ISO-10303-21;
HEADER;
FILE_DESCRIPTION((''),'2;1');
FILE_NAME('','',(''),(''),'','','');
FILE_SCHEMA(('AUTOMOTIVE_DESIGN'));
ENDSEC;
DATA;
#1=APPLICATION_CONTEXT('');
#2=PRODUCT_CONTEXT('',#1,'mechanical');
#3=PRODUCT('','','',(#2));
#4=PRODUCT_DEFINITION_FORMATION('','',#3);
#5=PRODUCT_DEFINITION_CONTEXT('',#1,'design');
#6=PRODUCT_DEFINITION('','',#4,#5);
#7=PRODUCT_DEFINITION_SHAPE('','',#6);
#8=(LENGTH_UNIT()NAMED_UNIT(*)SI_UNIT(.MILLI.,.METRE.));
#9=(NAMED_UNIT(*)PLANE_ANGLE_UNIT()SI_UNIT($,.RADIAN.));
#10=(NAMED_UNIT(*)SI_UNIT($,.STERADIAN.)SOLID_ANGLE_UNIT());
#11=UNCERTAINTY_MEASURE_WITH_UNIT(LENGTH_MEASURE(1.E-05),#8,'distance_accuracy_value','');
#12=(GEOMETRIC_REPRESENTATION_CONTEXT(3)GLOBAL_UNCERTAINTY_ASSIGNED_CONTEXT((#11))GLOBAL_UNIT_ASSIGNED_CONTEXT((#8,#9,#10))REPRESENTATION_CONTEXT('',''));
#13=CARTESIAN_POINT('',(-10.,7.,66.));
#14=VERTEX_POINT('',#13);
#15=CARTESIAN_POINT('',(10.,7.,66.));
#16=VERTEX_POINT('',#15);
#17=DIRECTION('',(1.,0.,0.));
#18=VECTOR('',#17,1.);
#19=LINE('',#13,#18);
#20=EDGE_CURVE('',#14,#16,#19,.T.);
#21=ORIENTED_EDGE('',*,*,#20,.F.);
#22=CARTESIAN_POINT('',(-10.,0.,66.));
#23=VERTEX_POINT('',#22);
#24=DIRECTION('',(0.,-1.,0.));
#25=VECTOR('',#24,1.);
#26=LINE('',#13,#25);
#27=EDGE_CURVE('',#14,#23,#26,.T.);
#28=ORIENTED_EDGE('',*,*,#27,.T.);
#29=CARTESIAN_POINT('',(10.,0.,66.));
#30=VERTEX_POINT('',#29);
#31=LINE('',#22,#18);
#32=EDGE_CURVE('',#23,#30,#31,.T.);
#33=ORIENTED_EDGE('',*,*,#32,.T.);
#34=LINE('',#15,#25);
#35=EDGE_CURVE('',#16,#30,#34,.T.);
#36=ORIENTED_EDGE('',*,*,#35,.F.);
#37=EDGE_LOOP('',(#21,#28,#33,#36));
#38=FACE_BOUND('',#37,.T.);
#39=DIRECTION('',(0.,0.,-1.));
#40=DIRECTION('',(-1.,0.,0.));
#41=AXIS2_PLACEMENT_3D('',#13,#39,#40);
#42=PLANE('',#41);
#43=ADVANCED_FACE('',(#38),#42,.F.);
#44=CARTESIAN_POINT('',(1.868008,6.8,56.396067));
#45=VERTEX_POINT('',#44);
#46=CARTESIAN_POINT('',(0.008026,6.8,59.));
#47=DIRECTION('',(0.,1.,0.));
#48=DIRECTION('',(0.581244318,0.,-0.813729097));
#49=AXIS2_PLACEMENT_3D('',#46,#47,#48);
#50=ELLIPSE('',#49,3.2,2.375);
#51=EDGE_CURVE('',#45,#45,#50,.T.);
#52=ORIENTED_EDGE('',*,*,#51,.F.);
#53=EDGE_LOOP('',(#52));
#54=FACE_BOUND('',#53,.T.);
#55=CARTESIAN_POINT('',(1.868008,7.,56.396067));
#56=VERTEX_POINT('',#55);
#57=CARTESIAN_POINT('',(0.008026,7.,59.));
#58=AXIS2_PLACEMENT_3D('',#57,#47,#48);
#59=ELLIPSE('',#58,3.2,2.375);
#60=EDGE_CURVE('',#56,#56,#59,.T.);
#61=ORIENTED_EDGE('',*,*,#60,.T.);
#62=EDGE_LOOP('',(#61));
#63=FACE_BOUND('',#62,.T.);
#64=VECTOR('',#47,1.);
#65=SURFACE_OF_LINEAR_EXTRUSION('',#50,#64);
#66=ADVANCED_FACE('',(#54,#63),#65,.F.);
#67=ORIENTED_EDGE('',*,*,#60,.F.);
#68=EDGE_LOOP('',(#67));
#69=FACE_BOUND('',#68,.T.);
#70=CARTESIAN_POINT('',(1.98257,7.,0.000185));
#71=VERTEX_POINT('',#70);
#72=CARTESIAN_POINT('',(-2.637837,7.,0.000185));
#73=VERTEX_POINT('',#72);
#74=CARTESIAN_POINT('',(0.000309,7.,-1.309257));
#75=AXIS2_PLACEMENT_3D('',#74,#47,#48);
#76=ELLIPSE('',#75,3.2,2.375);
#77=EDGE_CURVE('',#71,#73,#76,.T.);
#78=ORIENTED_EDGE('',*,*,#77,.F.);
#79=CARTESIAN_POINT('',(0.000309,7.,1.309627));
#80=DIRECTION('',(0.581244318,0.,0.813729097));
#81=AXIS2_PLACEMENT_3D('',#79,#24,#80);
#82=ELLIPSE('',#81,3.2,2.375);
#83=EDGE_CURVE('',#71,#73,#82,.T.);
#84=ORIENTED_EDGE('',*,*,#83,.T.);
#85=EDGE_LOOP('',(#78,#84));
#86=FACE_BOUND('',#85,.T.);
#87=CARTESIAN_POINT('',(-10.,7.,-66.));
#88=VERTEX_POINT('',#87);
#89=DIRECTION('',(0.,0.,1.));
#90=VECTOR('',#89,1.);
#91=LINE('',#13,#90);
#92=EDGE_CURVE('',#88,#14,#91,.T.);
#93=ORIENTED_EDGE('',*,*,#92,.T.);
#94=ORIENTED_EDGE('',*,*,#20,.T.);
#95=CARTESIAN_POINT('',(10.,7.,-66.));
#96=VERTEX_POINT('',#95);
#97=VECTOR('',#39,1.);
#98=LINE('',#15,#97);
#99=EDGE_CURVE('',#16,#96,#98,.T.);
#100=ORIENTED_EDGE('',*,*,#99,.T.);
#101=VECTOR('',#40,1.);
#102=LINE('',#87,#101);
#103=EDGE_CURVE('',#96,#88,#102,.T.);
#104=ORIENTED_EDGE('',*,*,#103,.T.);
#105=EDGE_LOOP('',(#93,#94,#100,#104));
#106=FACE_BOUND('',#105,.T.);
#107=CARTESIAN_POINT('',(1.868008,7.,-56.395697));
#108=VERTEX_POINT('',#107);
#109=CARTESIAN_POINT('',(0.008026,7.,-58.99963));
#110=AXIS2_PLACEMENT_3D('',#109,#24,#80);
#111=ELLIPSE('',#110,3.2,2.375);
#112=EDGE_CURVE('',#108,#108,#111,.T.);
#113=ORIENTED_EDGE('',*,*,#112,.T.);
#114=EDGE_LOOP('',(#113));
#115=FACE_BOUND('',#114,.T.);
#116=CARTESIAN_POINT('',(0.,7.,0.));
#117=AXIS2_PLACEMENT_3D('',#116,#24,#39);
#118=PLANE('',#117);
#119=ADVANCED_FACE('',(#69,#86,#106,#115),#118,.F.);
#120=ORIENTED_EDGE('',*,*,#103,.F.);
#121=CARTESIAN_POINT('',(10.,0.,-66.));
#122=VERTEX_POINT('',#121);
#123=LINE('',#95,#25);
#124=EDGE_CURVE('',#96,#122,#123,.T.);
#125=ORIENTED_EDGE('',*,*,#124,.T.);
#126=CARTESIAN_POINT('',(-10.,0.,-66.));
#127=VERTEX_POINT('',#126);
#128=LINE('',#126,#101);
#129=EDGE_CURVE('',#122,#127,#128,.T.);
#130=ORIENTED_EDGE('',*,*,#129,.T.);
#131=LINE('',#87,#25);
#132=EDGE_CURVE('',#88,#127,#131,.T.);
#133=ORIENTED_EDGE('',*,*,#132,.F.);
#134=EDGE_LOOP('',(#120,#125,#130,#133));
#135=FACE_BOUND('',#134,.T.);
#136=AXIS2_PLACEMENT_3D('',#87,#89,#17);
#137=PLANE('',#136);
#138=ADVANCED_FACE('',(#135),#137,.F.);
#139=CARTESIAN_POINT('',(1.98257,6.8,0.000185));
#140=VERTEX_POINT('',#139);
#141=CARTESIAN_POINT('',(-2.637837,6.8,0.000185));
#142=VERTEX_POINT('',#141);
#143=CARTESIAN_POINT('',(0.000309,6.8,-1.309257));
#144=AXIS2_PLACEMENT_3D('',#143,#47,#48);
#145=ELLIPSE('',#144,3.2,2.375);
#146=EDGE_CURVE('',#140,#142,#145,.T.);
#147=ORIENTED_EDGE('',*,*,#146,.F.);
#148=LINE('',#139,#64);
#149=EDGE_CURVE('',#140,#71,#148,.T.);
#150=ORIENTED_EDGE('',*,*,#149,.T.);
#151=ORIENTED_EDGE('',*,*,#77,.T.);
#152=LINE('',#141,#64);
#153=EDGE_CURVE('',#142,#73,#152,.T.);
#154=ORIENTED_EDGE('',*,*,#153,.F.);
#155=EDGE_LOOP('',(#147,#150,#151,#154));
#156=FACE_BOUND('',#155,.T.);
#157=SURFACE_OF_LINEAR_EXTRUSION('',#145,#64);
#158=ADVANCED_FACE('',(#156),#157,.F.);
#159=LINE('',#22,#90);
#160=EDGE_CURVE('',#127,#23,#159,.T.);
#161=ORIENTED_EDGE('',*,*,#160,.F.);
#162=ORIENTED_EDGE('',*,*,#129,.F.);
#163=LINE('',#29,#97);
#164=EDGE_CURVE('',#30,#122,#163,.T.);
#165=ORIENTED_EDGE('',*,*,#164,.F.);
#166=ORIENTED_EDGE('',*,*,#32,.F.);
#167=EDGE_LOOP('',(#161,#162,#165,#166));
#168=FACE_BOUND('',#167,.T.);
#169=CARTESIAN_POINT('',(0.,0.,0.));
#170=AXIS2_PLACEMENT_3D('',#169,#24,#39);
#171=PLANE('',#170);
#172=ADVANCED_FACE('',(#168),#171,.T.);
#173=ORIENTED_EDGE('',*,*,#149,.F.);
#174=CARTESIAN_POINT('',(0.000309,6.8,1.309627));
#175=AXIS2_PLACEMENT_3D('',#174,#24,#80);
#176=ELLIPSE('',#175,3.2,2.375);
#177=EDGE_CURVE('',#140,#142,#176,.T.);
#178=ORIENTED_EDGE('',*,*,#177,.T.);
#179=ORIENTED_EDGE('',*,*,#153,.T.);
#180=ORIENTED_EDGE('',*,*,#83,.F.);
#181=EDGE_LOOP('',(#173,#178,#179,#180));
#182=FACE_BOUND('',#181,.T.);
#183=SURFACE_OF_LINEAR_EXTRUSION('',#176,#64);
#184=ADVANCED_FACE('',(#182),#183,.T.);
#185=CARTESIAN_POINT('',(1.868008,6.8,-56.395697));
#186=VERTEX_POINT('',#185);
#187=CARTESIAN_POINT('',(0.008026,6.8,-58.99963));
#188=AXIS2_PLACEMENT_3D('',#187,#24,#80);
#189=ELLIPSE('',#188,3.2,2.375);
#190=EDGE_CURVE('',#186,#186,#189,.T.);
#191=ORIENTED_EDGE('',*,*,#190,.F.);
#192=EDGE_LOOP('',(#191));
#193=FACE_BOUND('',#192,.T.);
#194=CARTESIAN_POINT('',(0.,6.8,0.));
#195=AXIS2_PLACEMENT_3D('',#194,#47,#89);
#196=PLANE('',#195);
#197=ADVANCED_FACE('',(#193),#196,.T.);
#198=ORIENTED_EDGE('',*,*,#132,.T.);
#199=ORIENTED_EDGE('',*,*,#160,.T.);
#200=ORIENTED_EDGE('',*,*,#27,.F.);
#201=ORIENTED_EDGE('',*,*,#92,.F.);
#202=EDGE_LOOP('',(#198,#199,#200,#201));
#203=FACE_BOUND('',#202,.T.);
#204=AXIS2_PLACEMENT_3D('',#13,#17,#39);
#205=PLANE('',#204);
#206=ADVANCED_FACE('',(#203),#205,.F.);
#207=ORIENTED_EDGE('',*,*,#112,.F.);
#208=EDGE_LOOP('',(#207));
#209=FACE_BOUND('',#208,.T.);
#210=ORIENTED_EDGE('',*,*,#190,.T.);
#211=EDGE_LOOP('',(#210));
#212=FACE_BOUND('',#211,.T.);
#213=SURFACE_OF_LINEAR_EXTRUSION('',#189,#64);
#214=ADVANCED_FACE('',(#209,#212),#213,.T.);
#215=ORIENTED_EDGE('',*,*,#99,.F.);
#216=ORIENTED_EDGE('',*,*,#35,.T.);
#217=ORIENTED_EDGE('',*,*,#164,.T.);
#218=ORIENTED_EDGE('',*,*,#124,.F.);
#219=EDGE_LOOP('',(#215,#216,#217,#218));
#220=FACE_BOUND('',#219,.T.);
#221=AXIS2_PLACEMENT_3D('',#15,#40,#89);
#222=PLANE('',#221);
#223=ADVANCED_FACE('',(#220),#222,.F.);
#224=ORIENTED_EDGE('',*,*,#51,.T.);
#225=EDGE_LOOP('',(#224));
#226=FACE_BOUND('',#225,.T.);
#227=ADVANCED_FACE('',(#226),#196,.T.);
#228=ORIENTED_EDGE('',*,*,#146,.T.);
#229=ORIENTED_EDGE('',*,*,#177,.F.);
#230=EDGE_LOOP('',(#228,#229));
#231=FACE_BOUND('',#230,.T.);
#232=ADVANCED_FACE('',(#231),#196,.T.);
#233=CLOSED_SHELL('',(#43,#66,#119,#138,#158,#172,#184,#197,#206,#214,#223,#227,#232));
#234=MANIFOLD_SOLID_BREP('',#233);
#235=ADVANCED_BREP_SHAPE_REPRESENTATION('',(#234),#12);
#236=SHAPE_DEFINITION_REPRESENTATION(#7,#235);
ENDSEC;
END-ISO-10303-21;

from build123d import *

# Parameters (mm, degrees)
CROQUIS1_W              = 20
CROQUIS1_H              = 132
SALIENTE_EXTRUIR1_DEPTH = 7
CROQUIS2_RX             = 3.2
CROQUIS2_RY             = 2.375
CORTAR_EXTRUIR1_DEPTH   = 0.2


with BuildPart() as part:
    # Croquis1 → Saliente-Extruir1 (new body)
    with BuildSketch(Plane(origin=(0, 0, 0), x_dir=(1, 0, 0), z_dir=(0, 1, 0))):
        Rectangle(CROQUIS1_W, CROQUIS1_H)
    extrude(amount=SALIENTE_EXTRUIR1_DEPTH)

    # Croquis2 → Cortar-Extruir1 (cut)
    with BuildSketch(Plane(origin=(0, 7, 0), x_dir=(1, 0, 0), z_dir=(0, 1, 0))):
        with Locations(Location((0.008026014, -59), (0, 0, -125.538109025))):
            Ellipse(CROQUIS2_RX, CROQUIS2_RY)
        with Locations(Location((0.000308673, 1.309257057), (0, 0, 54.461890975))):
            Ellipse(CROQUIS2_RX, CROQUIS2_RY)
        with Locations(Location((0.000308673, -1.309627052), (0, 0, -54.461890975))):
            Ellipse(CROQUIS2_RX, CROQUIS2_RY)
        with Locations(Location((0.008026014, 58.999630006), (0, 0, -54.461890975))):
            Ellipse(CROQUIS2_RX, CROQUIS2_RY)
    extrude(amount=-CORTAR_EXTRUIR1_DEPTH, mode=Mode.SUBTRACT)


solid = part.part
